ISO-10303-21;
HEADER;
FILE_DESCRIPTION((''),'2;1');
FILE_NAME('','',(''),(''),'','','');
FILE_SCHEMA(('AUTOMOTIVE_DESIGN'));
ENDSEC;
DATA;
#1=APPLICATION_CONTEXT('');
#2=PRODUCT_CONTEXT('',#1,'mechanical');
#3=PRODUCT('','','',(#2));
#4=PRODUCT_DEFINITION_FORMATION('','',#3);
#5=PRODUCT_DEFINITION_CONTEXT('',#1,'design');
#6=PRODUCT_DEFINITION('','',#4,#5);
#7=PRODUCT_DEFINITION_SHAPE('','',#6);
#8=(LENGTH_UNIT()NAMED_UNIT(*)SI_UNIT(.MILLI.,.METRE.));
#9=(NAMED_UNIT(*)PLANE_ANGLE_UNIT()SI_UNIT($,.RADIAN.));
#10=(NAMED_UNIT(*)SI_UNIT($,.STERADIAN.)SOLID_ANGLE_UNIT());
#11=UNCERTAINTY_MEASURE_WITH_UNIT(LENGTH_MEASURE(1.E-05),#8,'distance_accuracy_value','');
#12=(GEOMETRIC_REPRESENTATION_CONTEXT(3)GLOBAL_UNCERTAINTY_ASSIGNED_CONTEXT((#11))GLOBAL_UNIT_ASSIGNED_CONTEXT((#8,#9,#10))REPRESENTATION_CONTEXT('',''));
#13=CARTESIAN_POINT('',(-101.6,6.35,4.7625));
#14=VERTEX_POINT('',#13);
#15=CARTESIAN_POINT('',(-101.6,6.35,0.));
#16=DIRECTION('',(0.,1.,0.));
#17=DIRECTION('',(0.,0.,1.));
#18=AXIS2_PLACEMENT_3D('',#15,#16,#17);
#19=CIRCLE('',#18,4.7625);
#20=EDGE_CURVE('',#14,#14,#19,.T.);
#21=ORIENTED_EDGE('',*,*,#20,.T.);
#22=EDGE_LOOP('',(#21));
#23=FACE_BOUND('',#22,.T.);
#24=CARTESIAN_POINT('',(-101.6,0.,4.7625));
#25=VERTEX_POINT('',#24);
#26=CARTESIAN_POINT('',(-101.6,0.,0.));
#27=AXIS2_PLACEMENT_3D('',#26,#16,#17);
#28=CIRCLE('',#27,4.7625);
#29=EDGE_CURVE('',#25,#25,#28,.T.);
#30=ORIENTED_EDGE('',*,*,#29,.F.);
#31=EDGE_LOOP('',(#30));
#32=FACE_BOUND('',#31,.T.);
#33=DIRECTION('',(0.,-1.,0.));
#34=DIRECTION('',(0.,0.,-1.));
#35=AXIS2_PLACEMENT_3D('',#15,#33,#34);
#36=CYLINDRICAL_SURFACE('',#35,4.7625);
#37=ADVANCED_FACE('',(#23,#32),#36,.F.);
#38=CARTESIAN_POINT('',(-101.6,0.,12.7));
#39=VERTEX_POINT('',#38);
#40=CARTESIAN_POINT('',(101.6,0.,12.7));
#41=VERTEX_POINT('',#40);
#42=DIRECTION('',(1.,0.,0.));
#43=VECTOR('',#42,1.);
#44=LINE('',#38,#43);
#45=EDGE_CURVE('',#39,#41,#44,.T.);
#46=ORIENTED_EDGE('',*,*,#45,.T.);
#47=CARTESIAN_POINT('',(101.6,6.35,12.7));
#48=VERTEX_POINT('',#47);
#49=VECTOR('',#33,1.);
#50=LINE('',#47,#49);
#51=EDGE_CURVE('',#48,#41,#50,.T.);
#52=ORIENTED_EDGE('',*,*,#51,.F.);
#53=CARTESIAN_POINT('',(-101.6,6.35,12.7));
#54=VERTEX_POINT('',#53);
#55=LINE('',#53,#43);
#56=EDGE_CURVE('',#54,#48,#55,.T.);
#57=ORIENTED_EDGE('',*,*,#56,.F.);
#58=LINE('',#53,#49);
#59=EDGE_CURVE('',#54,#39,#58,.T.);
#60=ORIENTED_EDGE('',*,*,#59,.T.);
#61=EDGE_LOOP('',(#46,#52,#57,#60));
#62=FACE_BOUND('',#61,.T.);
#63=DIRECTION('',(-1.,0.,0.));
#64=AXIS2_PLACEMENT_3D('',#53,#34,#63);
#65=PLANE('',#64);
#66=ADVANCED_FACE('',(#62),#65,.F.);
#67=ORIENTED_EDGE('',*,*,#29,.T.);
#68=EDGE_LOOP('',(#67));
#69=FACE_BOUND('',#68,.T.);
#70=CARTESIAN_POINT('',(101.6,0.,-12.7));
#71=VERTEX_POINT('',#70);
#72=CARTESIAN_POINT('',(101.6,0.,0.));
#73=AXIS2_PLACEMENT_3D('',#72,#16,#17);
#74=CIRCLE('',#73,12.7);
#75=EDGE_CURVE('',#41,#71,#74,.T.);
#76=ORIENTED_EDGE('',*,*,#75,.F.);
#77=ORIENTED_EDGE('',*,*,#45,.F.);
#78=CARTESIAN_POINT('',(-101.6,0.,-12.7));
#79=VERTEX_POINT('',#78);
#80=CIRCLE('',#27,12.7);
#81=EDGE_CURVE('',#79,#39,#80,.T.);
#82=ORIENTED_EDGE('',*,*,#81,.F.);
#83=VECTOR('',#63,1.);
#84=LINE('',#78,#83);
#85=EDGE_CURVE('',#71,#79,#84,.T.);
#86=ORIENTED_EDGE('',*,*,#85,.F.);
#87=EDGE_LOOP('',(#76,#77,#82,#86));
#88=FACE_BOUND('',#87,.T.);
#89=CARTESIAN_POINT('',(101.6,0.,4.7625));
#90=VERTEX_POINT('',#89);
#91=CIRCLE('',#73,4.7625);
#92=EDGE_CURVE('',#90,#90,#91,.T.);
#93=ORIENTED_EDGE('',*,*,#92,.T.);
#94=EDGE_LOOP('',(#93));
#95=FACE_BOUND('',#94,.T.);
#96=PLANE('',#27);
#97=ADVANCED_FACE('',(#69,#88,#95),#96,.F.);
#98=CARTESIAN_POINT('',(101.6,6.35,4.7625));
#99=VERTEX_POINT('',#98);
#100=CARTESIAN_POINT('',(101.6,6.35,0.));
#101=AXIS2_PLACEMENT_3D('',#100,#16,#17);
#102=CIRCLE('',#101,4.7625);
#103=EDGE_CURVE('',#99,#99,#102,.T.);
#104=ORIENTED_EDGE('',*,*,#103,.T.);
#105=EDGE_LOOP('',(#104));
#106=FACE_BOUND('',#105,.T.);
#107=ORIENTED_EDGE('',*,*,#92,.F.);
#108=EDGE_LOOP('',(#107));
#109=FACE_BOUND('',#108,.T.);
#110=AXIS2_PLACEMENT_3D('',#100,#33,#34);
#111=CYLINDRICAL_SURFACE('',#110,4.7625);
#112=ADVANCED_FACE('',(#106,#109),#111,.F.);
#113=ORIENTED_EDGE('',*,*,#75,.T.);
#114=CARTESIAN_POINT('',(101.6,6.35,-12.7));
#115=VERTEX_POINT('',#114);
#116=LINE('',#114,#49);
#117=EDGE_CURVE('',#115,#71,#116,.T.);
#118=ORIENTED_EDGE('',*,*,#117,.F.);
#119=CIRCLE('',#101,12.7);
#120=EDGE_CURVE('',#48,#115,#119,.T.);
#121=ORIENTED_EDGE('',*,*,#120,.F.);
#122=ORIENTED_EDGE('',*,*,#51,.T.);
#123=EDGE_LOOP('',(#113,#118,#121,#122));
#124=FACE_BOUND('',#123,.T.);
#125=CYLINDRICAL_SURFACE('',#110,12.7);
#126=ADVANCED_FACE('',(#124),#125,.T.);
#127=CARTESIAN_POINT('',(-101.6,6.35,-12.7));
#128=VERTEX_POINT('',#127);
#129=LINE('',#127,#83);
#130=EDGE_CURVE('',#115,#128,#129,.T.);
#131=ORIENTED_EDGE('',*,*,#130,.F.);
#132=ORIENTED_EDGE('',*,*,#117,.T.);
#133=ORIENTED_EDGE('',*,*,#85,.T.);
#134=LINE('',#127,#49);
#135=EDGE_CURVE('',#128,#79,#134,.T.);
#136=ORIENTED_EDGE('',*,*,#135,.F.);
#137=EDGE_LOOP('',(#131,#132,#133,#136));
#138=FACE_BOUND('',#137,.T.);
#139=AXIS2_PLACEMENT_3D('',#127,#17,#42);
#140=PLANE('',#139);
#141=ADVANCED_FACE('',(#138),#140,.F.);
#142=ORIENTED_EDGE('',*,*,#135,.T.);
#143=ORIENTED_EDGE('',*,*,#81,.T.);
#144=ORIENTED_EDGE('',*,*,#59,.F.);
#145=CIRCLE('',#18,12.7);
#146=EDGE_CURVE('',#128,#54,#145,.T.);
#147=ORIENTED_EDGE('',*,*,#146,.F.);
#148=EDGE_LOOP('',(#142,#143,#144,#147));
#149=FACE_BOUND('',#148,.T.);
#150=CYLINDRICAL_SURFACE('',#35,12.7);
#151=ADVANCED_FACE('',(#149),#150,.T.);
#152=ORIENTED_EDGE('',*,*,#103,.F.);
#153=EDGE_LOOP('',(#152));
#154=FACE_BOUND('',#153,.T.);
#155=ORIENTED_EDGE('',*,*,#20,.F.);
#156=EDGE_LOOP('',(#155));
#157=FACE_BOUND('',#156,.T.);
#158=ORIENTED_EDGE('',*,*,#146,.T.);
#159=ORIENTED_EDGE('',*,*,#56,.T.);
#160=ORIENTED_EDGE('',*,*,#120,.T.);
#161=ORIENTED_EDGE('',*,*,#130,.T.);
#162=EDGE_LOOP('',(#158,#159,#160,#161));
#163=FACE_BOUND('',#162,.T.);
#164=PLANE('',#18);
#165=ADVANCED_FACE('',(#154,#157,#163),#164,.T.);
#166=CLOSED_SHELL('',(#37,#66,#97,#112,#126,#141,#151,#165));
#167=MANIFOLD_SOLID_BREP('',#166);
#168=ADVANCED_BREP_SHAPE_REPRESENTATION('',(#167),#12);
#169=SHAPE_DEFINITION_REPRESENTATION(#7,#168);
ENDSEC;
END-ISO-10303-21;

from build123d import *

# Parameters (mm, degrees)
SKETCH1_R           = 4.7625
BOSS_EXTRUDE1_DEPTH = 6.35


with BuildPart() as part:
    # Sketch1 → Boss-Extrude1 (new body)
    with BuildSketch(Plane(origin=(0, 0, 0), x_dir=(1, 0, 0), z_dir=(0, 1, 0))):
        with BuildLine():
            Line((-101.6, 12.7), (101.6, 12.7))
            ThreePointArc((101.6, 12.7), (114.3, 0), (101.6, -12.7))
            Line((101.6, -12.7), (-101.6, -12.7))
            ThreePointArc((-101.6, -12.7), (-114.3, 0), (-101.6, 12.7))
        make_face()
        with Locations((-101.6, 0)):
            Circle(SKETCH1_R, mode=Mode.SUBTRACT)
        with Locations((101.6, 0)):
            Circle(SKETCH1_R, mode=Mode.SUBTRACT)
    extrude(amount=BOSS_EXTRUDE1_DEPTH)


solid = part.part
